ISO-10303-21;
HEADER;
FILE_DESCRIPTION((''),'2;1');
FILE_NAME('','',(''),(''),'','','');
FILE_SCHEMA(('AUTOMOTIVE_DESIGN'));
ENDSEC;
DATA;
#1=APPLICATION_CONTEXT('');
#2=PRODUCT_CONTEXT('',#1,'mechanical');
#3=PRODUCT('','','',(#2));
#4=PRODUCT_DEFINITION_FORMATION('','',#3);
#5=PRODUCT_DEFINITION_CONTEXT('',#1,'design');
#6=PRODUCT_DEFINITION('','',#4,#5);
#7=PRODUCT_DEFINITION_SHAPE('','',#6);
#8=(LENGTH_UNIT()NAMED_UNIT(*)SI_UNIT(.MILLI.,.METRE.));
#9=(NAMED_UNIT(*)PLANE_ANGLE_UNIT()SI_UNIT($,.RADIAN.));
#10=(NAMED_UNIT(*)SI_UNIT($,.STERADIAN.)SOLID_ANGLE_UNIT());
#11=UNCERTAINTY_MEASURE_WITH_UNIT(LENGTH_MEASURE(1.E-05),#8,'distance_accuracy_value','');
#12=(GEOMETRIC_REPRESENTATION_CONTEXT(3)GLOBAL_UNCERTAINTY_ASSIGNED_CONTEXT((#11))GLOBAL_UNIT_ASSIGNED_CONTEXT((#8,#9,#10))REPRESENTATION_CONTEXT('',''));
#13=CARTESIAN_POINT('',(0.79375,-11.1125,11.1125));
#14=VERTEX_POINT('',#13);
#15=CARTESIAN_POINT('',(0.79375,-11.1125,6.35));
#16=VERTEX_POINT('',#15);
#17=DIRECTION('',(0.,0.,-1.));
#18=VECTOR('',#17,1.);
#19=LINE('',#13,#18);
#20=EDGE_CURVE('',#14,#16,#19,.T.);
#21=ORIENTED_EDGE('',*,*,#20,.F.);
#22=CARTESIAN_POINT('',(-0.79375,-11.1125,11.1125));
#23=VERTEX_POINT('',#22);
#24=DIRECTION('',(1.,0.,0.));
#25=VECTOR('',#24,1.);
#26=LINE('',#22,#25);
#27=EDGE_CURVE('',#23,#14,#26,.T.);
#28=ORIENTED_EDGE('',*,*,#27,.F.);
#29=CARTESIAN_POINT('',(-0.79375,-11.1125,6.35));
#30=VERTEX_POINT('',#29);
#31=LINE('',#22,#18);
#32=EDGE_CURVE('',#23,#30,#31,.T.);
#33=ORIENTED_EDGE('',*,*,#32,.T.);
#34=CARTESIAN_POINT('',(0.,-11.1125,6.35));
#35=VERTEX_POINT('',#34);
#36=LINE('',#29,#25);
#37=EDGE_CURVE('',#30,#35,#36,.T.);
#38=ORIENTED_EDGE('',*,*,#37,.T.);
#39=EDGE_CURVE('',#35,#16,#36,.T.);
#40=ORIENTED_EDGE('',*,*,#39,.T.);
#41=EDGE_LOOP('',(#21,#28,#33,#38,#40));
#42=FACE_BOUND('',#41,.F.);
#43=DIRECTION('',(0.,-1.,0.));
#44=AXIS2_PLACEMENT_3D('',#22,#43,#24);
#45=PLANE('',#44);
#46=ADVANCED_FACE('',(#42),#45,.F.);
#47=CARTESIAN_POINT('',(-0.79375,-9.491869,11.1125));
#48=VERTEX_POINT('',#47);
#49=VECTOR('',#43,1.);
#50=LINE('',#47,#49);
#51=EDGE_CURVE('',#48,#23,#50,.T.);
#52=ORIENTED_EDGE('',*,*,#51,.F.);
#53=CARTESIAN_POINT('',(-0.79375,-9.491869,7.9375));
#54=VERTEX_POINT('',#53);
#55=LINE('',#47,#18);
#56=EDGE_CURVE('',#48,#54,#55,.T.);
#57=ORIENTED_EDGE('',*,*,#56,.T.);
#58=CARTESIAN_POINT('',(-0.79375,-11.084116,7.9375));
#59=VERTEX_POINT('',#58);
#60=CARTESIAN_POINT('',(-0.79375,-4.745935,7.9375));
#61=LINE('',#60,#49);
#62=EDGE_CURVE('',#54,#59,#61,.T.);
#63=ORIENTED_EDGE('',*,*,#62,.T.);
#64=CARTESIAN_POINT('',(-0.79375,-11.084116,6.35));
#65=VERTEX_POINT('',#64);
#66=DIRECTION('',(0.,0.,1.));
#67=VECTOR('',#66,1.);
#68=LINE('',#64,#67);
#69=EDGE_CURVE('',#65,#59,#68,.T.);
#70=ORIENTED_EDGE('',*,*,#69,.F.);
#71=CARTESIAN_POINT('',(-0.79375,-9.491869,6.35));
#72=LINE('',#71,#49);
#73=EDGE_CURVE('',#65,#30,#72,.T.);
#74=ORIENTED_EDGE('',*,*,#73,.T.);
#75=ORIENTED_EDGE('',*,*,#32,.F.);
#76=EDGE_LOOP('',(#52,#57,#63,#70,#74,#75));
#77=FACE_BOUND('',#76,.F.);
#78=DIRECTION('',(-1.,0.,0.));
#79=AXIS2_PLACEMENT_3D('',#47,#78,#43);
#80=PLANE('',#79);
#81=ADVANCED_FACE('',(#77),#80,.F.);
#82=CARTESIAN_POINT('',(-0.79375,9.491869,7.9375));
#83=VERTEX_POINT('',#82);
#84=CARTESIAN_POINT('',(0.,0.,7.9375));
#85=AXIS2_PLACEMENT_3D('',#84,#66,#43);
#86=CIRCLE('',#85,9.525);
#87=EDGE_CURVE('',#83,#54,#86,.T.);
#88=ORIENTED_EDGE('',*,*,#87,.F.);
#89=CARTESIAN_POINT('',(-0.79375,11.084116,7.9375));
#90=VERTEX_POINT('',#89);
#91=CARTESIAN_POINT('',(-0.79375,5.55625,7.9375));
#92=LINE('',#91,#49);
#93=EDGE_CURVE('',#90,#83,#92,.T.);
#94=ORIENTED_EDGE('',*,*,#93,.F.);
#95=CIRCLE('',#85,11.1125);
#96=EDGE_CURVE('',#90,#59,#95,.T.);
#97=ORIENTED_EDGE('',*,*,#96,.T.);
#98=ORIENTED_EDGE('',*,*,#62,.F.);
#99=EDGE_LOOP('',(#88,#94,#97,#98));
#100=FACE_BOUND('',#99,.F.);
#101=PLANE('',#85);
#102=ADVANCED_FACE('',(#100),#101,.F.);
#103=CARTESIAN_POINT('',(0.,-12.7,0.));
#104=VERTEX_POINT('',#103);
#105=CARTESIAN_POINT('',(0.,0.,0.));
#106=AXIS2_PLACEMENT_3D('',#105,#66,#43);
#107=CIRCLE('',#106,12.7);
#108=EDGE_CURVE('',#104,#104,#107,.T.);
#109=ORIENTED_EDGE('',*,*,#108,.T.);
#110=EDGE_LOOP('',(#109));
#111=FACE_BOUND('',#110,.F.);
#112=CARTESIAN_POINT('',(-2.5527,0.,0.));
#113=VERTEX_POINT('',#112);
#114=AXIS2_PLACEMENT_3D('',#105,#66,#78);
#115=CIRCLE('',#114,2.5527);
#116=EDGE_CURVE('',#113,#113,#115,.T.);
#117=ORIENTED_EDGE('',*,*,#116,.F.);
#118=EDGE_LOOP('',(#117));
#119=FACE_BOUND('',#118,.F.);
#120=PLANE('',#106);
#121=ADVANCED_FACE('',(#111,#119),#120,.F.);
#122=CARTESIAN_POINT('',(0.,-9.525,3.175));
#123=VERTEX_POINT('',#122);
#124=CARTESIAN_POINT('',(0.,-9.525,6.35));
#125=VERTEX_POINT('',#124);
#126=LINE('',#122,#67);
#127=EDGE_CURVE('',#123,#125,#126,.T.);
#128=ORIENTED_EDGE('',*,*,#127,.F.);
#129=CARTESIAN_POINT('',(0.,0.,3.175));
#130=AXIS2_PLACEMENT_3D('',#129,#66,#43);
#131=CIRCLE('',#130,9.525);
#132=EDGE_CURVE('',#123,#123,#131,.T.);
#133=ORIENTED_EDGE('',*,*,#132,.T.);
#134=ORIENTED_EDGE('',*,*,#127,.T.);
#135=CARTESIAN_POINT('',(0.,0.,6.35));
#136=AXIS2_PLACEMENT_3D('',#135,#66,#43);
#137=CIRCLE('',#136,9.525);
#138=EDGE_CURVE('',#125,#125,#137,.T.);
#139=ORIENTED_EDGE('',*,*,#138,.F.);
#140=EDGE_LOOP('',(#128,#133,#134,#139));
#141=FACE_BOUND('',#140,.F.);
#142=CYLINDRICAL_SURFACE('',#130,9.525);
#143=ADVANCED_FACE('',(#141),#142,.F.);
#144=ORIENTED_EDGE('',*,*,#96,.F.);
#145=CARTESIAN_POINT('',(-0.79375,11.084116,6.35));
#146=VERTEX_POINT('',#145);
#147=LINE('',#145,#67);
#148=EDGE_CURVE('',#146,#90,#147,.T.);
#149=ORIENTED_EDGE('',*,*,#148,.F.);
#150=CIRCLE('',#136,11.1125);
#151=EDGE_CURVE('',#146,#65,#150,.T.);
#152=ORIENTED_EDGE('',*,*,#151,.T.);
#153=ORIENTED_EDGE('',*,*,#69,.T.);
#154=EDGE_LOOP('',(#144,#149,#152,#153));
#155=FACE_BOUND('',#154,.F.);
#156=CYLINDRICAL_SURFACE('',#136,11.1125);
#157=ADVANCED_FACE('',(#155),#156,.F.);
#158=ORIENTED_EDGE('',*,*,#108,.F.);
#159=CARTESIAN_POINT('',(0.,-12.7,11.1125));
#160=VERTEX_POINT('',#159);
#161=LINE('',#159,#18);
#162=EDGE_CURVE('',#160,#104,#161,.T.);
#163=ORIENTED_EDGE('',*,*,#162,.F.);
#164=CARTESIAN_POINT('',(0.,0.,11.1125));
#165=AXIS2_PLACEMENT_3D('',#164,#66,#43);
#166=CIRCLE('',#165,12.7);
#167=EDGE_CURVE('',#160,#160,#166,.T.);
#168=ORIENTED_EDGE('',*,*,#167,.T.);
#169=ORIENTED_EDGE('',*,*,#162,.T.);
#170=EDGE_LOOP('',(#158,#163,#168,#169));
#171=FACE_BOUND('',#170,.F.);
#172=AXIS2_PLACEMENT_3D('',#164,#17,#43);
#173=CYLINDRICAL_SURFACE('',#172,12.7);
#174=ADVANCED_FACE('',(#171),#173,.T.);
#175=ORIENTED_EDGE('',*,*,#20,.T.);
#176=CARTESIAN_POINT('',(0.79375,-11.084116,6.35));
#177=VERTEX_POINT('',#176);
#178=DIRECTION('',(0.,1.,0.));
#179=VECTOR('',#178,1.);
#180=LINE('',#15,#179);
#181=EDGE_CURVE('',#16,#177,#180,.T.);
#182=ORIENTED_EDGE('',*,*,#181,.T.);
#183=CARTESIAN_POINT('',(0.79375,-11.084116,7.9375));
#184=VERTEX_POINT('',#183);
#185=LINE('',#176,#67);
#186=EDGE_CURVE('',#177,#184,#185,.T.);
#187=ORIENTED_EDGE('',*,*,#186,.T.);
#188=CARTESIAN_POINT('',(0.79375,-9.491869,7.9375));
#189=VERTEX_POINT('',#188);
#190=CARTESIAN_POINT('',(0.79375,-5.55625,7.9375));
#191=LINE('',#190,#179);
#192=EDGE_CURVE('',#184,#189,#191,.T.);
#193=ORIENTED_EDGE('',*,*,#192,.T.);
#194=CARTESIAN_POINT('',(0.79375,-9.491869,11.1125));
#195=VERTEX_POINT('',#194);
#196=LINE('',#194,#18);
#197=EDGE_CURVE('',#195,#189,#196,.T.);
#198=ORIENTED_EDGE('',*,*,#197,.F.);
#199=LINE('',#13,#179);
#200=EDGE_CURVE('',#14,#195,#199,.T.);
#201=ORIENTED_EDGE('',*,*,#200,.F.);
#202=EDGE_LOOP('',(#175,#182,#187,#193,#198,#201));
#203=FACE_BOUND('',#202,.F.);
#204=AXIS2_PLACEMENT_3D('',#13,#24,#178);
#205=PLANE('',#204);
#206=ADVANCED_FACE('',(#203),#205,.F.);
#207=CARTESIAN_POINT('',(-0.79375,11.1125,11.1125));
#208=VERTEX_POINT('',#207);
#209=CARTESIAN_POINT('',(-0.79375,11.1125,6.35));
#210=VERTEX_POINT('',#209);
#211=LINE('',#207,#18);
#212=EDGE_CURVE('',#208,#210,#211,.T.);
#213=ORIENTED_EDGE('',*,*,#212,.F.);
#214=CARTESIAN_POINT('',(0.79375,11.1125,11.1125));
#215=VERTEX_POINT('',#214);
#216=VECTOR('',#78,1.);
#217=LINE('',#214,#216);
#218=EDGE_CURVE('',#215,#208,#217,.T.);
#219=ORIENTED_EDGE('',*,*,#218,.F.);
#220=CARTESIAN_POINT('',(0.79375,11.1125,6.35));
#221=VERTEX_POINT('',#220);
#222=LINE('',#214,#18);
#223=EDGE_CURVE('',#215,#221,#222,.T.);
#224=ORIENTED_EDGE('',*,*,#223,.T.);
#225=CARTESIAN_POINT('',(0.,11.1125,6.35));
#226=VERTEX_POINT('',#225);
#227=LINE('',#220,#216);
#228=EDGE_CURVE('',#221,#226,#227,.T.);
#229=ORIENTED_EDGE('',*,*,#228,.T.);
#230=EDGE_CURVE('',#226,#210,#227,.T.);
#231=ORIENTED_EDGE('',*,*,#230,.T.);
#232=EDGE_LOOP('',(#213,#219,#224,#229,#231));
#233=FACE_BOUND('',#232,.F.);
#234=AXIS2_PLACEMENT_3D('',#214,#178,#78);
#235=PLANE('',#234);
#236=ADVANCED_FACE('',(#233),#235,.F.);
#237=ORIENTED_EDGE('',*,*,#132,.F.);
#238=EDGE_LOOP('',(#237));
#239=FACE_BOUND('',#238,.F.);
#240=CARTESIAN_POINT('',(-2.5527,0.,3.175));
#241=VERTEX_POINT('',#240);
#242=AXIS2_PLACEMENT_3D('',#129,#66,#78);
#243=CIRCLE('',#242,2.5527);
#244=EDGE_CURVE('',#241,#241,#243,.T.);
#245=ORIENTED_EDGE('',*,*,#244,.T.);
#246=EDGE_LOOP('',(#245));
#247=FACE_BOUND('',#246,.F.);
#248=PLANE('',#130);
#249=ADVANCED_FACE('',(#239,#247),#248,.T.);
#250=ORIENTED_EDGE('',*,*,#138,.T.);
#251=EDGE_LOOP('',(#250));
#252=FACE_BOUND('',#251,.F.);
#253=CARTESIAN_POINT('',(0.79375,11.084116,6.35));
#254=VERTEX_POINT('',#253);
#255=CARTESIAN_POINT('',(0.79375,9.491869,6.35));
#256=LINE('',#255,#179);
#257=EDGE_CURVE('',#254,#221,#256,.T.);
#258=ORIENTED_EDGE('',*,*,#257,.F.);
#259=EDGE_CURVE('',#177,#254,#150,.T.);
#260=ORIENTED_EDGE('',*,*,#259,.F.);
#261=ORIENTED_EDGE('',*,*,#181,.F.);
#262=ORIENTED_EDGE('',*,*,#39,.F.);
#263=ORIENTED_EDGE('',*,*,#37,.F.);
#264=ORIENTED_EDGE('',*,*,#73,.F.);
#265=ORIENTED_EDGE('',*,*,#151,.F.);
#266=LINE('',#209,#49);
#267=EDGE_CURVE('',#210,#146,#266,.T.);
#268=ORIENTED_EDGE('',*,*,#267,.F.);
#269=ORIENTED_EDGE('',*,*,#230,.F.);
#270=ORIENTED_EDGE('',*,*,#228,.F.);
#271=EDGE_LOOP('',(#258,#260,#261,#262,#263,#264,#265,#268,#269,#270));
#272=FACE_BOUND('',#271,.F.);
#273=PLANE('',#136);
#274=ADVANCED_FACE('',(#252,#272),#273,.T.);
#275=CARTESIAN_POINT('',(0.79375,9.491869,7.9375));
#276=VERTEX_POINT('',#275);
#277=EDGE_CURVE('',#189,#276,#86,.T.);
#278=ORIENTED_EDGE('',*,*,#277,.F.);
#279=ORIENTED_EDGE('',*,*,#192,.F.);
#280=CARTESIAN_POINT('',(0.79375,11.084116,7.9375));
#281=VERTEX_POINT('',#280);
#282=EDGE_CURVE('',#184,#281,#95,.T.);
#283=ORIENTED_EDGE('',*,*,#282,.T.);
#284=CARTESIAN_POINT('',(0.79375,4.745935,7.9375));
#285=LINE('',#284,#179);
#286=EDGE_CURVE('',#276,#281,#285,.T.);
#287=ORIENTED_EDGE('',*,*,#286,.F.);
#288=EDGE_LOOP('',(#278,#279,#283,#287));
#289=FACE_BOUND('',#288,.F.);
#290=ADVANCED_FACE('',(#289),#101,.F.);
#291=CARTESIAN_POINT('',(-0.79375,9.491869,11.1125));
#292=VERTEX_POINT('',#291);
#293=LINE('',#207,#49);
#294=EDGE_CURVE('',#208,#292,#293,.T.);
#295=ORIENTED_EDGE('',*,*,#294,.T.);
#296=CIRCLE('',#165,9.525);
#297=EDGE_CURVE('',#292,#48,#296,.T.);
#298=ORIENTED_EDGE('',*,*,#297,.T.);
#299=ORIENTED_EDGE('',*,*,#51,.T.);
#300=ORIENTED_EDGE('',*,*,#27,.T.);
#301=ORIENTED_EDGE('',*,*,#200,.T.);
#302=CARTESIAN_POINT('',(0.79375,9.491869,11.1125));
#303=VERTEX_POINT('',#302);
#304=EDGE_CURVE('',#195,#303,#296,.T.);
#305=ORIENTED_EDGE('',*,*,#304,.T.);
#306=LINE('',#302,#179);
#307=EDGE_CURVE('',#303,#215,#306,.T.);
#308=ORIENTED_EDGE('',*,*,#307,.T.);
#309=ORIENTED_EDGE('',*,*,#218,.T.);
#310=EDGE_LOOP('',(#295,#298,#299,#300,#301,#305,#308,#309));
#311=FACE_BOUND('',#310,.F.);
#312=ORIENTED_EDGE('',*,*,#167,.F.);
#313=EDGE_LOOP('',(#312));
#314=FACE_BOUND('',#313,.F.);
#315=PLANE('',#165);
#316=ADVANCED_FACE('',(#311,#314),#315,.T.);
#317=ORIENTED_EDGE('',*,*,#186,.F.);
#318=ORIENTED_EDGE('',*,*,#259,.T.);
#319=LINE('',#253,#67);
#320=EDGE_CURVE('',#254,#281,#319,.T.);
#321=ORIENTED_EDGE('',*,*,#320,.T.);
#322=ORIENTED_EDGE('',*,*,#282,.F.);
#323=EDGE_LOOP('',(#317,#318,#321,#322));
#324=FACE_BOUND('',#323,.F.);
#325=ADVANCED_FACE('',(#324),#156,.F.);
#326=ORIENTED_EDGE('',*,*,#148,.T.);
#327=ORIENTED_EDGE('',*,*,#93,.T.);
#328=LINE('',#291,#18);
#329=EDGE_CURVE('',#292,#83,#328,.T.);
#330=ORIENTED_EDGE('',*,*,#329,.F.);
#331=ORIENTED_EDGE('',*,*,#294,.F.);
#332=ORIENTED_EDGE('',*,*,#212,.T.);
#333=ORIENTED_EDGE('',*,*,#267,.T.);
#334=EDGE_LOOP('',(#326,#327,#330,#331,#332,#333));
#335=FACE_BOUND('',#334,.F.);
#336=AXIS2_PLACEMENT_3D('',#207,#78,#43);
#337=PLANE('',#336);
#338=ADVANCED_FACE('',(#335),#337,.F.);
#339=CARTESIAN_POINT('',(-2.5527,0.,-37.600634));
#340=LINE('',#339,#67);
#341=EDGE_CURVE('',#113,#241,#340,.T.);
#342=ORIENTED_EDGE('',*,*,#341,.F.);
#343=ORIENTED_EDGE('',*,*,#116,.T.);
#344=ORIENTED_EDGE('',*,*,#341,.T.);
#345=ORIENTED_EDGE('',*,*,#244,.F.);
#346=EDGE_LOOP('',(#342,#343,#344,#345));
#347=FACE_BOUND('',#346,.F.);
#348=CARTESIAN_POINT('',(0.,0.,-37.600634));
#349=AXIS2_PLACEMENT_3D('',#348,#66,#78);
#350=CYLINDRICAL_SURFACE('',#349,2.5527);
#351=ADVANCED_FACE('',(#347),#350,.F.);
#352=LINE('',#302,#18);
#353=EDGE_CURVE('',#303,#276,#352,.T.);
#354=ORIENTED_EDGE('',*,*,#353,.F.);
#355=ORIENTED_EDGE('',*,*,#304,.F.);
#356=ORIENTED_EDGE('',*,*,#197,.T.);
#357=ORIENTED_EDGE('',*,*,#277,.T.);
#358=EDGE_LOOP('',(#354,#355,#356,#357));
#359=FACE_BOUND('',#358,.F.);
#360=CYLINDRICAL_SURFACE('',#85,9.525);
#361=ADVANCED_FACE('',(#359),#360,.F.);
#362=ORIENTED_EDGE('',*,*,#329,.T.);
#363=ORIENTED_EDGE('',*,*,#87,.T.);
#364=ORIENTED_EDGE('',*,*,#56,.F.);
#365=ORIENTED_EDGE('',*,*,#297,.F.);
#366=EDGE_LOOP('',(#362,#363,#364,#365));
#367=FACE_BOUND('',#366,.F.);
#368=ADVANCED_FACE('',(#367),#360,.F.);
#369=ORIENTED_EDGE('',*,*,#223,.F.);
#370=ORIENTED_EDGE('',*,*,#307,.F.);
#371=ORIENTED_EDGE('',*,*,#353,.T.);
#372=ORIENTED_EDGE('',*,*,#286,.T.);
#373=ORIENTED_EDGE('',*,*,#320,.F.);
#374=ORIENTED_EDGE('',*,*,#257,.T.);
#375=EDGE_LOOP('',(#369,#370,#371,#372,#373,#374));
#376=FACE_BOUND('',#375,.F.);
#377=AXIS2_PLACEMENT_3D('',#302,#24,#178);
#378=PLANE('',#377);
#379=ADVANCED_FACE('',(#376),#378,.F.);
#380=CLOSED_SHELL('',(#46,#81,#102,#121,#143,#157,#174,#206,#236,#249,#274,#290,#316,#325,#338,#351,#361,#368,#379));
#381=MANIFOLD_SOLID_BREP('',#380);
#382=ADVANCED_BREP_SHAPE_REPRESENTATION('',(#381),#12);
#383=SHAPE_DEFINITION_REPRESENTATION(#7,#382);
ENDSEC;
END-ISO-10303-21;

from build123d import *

# Parameters (mm, degrees)
F3_DEPTH = 4.7625
F5_D     = 5.1054


with BuildPart() as f1:
    # F0 (on Right) → F1 (revolve)
    with BuildSketch(Plane.YZ):
        Polygon((-9.525, 0), (0, 0), (0, 3.175), (-9.525, 3.175), (-9.525, 6.35), (-11.1125, 6.35), (-11.1125, 7.9375), (-9.525, 7.9375), (-9.525, 11.1125), (-12.7, 11.1125), (-12.7, 7.9375), (-12.7, 6.35), (-12.7, 0), align=None)
    revolve(axis=Axis((0, 0, 5.3960988298), (0, 0, 1)))

    # F2 (on face) → F3 (cut)
    with BuildSketch(Plane.XY.offset(11.1125)):
        Polygon((0, 9.4918694648), (0.79375, 9.4918694648), (0.79375, 11.1125), (0, 11.1125), (-0.79375, 11.1125), (-0.79375, 9.4918694648), align=None)
        Polygon((0.79375, -11.1125), (0.79375, -9.4918694648), (0, -9.4918694648), (-0.79375, -9.4918694648), (-0.79375, -11.1125), (0, -11.1125), align=None)
    extrude(amount=-F3_DEPTH, mode=Mode.SUBTRACT)

    # F5 (through all)
    with Locations(Plane(origin=(0, 0, 0), x_dir=(1, 0, 0), z_dir=(0, 0, -1))):
        with Locations((0, 0)):
            Hole(F5_D / 2)


solid = f1.part
